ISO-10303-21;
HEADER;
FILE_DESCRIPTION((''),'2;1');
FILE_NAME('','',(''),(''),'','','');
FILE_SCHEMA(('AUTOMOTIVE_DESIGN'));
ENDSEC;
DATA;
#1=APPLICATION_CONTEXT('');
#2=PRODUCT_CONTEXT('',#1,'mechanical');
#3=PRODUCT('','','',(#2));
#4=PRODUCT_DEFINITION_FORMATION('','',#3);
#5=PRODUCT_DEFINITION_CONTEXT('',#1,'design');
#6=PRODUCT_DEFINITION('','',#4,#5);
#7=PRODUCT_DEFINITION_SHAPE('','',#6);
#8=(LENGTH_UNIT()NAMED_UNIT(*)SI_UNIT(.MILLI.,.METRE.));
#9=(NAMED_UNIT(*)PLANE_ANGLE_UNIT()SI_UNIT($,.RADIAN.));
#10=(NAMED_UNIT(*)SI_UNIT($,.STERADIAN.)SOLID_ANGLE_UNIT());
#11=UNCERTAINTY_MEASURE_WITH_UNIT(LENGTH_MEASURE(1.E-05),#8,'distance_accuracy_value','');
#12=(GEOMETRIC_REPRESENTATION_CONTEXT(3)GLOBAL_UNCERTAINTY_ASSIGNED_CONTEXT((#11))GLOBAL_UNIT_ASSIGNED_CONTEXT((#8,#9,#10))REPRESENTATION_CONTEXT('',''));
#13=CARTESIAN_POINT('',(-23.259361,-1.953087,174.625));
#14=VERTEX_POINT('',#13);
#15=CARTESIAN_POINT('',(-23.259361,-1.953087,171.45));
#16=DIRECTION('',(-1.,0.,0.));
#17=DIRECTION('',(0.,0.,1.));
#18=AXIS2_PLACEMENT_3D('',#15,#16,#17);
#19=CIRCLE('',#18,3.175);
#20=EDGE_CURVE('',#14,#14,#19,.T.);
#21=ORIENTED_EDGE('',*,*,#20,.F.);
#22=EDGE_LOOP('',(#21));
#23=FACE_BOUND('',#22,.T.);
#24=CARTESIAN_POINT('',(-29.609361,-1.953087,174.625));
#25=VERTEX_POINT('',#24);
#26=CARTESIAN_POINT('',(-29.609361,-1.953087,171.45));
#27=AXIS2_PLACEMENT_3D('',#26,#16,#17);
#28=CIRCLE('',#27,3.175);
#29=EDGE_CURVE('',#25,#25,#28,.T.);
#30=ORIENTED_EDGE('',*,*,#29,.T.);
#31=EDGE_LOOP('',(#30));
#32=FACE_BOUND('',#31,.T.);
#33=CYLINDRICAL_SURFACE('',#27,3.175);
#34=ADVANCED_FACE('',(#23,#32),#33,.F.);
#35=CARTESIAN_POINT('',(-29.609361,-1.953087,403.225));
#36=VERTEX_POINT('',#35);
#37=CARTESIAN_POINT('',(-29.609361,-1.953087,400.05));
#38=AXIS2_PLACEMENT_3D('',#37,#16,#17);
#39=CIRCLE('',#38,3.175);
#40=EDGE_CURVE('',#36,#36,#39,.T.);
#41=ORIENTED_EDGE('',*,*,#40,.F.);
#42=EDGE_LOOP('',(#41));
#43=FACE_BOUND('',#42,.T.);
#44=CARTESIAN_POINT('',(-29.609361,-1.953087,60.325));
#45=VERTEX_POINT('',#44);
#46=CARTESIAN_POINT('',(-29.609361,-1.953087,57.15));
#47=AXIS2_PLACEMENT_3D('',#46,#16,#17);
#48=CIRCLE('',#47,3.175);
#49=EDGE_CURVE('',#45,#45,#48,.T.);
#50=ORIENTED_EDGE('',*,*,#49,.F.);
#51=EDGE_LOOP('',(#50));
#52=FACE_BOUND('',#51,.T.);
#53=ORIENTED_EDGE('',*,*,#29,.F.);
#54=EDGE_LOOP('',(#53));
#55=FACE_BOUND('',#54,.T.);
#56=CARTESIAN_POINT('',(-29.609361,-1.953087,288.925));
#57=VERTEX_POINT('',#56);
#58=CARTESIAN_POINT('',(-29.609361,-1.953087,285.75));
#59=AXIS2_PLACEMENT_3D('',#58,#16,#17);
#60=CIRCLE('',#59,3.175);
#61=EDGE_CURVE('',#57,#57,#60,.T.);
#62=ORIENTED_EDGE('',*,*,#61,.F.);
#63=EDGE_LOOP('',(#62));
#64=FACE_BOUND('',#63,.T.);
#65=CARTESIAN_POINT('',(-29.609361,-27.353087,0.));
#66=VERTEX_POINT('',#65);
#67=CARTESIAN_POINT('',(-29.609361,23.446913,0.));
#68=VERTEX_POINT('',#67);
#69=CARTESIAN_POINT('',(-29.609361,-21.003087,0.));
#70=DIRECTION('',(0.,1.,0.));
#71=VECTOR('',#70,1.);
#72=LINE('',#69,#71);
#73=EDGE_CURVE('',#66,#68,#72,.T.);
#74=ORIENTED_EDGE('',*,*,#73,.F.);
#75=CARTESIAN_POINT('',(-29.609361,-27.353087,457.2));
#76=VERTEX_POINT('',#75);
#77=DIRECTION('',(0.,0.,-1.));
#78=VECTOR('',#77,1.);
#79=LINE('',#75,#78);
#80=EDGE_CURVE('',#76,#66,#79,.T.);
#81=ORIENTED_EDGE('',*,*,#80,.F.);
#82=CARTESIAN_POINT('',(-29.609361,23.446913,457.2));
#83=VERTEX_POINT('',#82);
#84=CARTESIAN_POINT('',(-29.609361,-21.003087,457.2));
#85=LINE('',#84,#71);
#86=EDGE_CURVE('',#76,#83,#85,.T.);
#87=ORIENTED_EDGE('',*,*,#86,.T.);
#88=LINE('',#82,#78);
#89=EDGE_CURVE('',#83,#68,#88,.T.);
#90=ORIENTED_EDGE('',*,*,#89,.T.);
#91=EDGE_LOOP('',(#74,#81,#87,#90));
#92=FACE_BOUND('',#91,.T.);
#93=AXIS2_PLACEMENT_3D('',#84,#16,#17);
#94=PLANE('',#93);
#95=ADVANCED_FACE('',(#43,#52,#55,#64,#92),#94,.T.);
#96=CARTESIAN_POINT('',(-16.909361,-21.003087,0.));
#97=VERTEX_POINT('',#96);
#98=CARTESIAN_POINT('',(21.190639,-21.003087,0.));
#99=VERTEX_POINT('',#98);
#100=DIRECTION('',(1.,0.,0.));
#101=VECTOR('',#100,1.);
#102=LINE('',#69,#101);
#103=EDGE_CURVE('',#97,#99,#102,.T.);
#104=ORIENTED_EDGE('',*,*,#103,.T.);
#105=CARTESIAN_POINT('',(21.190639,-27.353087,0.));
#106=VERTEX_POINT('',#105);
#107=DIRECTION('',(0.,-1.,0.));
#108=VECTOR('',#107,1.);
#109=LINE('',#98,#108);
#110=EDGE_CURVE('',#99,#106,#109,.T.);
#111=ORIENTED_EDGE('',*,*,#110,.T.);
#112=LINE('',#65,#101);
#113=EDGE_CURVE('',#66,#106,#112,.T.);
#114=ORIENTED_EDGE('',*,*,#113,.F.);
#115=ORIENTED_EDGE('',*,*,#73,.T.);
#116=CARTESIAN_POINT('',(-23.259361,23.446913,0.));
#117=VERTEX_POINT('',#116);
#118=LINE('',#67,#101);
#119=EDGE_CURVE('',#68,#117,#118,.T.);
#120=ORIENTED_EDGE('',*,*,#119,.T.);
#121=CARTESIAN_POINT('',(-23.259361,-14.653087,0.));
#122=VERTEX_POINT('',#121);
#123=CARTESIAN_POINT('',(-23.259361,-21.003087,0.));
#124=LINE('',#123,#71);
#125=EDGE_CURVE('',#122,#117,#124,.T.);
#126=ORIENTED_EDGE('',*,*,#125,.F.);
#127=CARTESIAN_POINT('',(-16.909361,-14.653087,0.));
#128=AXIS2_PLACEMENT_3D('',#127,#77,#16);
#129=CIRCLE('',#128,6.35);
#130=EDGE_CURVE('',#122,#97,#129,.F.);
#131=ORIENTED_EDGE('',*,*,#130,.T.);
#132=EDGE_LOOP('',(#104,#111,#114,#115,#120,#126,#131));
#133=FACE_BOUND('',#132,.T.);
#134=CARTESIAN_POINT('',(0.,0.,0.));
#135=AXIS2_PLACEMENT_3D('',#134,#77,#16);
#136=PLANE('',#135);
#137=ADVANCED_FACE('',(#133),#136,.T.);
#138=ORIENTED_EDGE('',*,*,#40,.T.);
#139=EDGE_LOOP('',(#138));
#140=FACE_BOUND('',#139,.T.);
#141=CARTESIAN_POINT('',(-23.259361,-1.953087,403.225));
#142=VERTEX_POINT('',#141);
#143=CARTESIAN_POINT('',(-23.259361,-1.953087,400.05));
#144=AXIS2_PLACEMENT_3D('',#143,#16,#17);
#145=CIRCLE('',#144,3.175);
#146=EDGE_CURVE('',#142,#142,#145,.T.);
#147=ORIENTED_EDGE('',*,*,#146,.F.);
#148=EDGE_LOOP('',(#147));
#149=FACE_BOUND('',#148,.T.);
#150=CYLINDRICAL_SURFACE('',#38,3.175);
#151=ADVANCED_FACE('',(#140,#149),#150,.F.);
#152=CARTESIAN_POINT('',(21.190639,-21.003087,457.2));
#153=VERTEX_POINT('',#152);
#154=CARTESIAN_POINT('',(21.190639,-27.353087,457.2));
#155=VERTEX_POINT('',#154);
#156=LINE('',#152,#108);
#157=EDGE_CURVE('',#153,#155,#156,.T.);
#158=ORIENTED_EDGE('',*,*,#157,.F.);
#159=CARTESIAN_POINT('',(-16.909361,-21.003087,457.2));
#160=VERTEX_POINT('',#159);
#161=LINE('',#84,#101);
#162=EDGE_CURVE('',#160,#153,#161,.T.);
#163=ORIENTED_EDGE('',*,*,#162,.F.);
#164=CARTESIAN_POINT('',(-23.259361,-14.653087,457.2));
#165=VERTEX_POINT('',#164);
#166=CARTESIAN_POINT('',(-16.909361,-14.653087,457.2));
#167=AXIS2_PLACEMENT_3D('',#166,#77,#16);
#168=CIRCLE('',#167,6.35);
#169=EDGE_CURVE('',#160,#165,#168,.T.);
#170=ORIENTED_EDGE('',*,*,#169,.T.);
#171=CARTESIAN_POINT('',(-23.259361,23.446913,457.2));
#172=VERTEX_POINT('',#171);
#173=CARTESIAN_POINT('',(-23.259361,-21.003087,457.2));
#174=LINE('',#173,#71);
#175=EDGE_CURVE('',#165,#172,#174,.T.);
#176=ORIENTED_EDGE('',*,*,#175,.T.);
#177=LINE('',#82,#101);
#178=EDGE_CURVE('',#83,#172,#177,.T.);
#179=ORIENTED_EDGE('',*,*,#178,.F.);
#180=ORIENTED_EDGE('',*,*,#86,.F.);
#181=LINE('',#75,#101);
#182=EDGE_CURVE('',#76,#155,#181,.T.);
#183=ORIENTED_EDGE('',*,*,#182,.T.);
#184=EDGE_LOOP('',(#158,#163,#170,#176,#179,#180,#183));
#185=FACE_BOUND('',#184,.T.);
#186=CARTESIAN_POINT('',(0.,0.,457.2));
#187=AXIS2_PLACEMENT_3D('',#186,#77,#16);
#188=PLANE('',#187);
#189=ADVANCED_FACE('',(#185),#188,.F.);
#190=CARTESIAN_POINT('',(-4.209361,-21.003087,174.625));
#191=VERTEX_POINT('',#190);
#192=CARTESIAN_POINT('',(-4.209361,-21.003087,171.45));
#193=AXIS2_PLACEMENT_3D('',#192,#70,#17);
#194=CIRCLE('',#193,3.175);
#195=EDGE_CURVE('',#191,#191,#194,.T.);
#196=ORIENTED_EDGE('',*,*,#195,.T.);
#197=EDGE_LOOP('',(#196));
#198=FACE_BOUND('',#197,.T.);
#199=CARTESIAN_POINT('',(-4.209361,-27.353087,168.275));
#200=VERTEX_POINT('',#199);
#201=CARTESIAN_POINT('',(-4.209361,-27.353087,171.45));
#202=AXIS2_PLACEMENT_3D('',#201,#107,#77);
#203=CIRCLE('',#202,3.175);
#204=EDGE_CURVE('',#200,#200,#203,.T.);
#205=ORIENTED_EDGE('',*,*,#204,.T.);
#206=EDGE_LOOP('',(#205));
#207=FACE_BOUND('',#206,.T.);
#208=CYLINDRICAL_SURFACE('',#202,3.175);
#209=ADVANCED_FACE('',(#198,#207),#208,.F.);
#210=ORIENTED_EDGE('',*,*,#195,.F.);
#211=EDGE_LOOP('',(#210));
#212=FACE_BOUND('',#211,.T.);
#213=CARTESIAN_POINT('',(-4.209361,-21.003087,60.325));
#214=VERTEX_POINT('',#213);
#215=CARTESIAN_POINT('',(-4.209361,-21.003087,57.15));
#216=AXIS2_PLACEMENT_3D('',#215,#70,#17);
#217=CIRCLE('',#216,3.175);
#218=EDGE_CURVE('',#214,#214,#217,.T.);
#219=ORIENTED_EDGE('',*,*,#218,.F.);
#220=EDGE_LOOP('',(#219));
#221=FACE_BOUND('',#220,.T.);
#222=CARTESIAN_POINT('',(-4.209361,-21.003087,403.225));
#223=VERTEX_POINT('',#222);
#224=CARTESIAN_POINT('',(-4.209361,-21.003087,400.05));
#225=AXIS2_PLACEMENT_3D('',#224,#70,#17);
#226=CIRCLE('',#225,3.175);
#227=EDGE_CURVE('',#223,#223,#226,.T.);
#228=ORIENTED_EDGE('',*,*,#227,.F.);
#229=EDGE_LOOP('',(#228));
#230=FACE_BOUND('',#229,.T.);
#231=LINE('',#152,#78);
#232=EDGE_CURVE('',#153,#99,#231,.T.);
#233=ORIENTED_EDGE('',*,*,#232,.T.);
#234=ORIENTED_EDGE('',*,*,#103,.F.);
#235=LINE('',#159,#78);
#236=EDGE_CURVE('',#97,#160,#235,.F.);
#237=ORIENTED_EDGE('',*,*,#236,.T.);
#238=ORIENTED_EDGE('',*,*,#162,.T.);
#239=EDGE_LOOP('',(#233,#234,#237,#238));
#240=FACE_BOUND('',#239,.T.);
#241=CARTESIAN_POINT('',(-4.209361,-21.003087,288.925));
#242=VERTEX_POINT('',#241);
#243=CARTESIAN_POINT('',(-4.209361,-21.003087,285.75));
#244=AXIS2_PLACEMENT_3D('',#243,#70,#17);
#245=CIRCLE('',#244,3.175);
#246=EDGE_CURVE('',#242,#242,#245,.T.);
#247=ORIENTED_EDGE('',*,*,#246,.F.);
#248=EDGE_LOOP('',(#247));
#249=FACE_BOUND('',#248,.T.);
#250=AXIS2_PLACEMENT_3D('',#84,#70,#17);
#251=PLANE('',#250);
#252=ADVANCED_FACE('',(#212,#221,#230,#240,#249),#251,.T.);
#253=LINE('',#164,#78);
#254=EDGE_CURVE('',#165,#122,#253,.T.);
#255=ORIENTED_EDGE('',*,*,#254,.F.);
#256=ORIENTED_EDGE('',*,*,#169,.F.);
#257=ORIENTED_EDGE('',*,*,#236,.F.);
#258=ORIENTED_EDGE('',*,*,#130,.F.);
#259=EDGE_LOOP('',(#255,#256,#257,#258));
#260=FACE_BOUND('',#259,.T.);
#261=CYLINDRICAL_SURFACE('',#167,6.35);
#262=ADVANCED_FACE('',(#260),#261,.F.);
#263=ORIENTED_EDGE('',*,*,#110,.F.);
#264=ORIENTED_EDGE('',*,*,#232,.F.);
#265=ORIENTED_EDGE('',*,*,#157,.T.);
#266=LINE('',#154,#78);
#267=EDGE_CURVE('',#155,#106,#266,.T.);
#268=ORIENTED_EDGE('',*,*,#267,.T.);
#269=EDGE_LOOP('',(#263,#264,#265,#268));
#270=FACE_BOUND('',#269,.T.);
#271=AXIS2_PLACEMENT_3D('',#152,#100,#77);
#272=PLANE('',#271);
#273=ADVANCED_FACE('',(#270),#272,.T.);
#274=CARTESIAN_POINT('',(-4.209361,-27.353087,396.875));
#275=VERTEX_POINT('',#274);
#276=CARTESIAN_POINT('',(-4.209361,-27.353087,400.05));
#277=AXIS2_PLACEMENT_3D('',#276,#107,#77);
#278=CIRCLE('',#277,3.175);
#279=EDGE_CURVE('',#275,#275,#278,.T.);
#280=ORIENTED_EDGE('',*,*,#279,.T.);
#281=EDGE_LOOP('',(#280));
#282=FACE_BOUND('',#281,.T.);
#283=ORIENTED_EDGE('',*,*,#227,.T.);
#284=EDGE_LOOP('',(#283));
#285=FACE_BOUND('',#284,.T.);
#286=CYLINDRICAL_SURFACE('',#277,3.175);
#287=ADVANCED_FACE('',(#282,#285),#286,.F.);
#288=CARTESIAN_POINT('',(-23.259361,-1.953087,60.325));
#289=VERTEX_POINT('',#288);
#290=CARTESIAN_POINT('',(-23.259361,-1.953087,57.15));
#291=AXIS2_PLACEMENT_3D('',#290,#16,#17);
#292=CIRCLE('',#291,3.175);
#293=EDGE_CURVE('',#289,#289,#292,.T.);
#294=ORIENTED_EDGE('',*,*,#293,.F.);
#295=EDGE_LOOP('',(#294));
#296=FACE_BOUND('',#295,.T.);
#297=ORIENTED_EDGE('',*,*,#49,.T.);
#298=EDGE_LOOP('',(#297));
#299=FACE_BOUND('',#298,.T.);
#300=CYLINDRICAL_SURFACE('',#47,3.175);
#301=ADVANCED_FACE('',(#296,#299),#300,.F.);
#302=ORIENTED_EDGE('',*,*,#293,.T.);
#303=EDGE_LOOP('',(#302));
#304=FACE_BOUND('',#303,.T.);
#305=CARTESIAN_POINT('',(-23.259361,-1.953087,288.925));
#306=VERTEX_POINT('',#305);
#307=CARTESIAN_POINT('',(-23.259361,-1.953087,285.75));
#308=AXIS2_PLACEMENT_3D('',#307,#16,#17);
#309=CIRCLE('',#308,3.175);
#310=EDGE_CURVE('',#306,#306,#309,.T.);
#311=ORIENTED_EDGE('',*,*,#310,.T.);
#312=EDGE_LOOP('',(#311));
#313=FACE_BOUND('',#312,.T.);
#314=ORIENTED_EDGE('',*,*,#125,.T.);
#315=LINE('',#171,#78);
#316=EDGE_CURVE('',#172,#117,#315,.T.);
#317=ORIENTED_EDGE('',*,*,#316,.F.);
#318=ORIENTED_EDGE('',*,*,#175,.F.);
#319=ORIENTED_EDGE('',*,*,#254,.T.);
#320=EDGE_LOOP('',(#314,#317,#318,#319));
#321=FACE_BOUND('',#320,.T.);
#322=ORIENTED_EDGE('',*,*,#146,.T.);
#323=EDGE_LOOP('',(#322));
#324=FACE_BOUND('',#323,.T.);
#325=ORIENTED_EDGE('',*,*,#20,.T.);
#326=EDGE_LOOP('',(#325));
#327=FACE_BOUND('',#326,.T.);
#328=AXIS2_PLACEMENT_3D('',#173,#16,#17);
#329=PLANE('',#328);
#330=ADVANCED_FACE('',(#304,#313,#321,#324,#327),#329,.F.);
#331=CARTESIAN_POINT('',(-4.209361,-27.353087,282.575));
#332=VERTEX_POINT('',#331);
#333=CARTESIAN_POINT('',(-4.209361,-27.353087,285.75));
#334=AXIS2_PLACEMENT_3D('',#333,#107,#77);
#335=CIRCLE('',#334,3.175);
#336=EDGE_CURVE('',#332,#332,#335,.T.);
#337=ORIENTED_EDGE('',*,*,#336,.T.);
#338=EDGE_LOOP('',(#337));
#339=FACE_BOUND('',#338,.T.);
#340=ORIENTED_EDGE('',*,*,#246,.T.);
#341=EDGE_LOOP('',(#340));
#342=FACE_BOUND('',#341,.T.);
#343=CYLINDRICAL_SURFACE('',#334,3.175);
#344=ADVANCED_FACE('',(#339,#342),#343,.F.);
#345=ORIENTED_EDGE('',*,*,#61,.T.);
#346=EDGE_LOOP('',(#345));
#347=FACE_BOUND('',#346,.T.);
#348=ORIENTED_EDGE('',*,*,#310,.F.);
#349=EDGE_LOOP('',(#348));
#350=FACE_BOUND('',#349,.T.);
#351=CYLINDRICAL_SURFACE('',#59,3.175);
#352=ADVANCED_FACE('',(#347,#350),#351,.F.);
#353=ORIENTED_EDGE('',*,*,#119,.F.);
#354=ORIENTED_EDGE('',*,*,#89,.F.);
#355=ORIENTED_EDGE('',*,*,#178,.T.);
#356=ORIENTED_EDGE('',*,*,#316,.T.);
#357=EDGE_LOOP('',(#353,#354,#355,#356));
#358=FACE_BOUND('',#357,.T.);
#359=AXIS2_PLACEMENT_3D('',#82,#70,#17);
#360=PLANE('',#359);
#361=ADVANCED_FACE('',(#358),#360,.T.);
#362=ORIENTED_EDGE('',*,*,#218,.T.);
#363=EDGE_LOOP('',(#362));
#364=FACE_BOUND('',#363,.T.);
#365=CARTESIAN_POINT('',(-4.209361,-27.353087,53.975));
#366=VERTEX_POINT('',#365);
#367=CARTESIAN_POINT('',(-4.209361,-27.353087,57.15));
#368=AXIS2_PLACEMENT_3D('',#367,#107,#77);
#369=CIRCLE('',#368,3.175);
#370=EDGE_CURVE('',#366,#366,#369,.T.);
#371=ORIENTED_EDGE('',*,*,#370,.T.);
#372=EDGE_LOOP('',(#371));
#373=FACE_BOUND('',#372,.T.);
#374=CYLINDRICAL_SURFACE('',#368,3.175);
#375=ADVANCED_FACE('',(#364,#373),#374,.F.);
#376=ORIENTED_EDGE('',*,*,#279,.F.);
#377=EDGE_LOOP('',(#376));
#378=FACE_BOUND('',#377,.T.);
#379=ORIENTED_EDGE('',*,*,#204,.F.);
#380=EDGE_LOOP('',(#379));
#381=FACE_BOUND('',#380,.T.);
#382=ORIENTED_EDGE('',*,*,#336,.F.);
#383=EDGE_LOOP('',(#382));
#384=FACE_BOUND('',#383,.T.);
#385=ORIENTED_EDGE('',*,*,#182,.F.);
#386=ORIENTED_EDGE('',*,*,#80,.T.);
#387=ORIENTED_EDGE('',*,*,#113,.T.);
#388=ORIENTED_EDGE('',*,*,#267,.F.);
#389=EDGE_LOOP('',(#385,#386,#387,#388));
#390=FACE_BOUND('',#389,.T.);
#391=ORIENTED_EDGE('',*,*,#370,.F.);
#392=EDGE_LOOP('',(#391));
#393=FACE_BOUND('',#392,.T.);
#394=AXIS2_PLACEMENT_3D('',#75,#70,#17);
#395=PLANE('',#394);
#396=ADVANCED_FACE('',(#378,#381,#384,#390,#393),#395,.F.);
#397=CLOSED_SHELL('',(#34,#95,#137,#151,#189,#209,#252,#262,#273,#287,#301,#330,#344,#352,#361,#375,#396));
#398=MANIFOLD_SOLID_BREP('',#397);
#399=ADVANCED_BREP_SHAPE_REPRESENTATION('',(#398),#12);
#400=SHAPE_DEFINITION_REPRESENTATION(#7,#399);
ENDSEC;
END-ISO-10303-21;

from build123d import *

# Parameters (mm, degrees)
SKETCH1_W                   = 6.35
SKETCH1_H                   = 44.45
BOSS_EXTRUDE1_DEPTH         = 457.2
FILLET1_R                   = 6.35
F_1_4_0_25_DIAMETER_HOLE1_D = 6.35
LPATTERN1_COUNT             = 4
LPATTERN1_PITCH             = 114.3
F_1_4_0_25_DIAMETER_HOLE2_D = 6.35
LPATTERN2_COUNT             = 4
LPATTERN2_PITCH             = 114.3


with BuildPart() as part:
    # Sketch1 → Boss-Extrude1 (new body)
    with BuildSketch(Plane.XY):
        with Locations((-26.434360713, 1.221912767)):
            Rectangle(SKETCH1_W, SKETCH1_H)
        Polygon((-23.259360713, -21.003087233), (-29.609360713, -21.003087233), (-29.609360713, -27.353087233), (21.190639287, -27.353087233), (21.190639287, -21.003087233), align=None)
    extrude(amount=BOSS_EXTRUDE1_DEPTH)

    # Fillet1
    fillet1_edges = [part.edges().sort_by_distance(p)[0] for p in [
        (-23.259360713, -21.003087233, 228.6),
    ]]
    fillet(fillet1_edges, radius=FILLET1_R)

    # 1/4 (0.25) Diameter Hole1 (through all)
    with Locations(Plane.XZ.offset(27.353087233)):
        with Locations((-4.209360713, 400.05)):
            f_1_4_0_25_diameter_hole1 = Hole(F_1_4_0_25_DIAMETER_HOLE1_D / 2)

    # LPattern1: 1/4 (0.25) Diameter Hole1 ×4
    with Locations(*[(0, 0, -i * LPATTERN1_PITCH) for i in range(1, LPATTERN1_COUNT)]):
        add(f_1_4_0_25_diameter_hole1, mode=Mode.SUBTRACT)

    # 1/4 (0.25) Diameter Hole2 (through all)
    with Locations(Plane.ZY.offset(29.609360713)):
        with Locations((400.05, -1.953087233)):
            f_1_4_0_25_diameter_hole2 = Hole(F_1_4_0_25_DIAMETER_HOLE2_D / 2)

    # LPattern2: 1/4 (0.25) Diameter Hole2 ×4
    with Locations(*[(0, 0, -i * LPATTERN2_PITCH) for i in range(1, LPATTERN2_COUNT)]):
        add(f_1_4_0_25_diameter_hole2, mode=Mode.SUBTRACT)


solid = part.part
